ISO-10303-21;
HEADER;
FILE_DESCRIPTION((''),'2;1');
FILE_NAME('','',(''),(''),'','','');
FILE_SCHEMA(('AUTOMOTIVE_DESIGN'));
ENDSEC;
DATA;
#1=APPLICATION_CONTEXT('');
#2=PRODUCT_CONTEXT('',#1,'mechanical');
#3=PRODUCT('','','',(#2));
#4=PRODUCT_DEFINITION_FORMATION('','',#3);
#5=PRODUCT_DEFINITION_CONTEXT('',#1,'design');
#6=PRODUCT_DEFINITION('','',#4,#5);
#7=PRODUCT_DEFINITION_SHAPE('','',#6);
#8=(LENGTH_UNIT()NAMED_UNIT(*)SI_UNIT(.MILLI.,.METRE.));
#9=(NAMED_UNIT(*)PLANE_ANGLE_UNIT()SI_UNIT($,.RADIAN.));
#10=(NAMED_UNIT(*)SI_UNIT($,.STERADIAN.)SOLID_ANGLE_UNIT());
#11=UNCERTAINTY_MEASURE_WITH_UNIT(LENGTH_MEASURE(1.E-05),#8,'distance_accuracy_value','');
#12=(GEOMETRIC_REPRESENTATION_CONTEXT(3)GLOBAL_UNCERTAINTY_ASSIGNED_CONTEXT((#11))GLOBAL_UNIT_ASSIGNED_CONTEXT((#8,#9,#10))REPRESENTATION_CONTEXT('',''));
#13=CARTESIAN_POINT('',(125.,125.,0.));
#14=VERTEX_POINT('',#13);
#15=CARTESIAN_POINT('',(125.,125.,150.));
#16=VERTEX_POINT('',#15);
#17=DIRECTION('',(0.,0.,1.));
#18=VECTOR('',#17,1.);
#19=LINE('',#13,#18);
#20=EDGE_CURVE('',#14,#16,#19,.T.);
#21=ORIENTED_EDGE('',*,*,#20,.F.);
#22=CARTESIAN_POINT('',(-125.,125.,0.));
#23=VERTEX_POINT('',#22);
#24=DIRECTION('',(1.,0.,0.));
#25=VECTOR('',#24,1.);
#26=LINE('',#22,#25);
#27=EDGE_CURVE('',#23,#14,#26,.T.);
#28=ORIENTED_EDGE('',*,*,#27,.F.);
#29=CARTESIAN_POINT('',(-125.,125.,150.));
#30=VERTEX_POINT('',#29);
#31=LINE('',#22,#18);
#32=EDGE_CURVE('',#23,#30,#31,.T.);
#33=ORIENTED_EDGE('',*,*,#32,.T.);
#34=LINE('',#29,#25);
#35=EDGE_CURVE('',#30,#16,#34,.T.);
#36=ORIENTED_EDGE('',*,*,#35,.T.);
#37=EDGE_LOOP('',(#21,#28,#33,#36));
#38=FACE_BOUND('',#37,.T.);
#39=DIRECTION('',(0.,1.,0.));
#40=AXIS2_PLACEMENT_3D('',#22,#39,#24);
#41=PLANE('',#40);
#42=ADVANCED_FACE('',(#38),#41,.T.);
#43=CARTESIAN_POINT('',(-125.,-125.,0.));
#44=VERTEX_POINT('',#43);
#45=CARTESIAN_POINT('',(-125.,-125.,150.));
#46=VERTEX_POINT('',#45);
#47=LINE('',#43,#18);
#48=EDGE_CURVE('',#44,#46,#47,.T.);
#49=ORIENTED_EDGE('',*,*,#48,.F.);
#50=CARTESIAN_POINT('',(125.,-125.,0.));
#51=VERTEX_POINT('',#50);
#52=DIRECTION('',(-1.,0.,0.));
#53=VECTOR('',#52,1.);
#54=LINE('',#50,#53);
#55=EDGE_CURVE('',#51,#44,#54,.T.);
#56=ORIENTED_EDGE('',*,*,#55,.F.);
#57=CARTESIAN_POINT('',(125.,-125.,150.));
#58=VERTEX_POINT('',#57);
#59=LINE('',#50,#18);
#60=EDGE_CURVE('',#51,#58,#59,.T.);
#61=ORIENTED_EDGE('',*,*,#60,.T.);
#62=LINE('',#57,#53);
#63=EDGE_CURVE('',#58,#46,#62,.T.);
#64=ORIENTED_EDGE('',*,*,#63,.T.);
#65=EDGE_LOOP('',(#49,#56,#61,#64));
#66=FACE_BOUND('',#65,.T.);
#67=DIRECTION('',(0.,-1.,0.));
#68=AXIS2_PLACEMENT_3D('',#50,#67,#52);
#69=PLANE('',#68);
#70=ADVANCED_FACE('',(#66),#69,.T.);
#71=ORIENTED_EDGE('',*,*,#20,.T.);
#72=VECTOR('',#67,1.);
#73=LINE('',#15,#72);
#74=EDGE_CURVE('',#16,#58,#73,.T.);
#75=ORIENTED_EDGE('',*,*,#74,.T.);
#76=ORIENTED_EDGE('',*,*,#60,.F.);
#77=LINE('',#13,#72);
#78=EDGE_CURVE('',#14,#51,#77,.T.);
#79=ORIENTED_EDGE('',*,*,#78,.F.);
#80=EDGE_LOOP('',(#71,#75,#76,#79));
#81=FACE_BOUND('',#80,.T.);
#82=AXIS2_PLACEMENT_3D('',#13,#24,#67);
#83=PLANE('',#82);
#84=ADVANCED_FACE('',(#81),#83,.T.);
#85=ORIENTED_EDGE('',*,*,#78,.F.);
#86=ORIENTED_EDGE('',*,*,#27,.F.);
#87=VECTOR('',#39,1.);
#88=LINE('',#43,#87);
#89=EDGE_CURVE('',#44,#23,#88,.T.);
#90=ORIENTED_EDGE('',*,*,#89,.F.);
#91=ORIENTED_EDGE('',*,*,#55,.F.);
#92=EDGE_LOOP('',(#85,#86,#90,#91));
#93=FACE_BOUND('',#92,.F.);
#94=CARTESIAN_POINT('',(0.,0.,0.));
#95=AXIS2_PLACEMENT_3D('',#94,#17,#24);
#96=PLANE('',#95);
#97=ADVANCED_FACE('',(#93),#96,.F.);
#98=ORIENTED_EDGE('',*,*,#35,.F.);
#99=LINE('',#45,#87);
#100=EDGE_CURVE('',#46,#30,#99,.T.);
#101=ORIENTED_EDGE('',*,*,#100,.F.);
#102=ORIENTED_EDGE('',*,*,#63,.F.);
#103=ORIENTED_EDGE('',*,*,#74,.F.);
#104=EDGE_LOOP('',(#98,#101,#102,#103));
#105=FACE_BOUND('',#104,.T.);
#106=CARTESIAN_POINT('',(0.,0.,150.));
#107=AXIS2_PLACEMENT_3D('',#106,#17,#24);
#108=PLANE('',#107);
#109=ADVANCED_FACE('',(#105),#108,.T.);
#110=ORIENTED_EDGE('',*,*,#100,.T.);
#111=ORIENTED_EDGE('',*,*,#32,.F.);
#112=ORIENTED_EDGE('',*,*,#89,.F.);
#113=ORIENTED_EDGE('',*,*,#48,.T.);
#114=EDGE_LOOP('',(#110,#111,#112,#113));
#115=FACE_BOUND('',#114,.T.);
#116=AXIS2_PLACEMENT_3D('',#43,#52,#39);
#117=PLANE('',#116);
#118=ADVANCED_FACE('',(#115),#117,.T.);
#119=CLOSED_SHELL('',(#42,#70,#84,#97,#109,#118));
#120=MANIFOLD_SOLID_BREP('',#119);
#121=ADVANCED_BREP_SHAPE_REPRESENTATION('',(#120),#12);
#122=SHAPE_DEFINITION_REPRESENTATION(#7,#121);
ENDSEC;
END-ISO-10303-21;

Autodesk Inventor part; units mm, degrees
ref_plane "YZ Plane" through (0, 0, 0) normal (1, 0, 0) x (0, 1, 0)
ref_plane "XZ Plane" through (0, 0, 0) normal (0, 1, 0) x (-1, 0, 0)
ref_plane "XY Plane" through (0, 0, 0) normal (0, 0, 1) x (1, 0, 0)
sketch "Boceto1" plane through (0, 0, 0) normal (0, 0, 1) x (1, 0, 0)
  line L0 (-125, 125) -> (125, 125)
  line L1 (125, 125) -> (125, -125)
  line L2 (125, -125) -> (-125, -125)
  line L3 (-125, -125) -> (-125, 125)
  point P0 (0, 0)
  dimension "d0" = 250
  dimension "d1" = 250
  dimension "d2" = 125
  dimension "d3" = 125
extrude "Extrusión1" add sketch "Boceto1" along normal blind 150
equation "\"d1\" = d0"
equation "\"d2\" = 0.5 * d1"
equation "\"d3\" = 0.5 * d0"
properties part number "Carcasa"
